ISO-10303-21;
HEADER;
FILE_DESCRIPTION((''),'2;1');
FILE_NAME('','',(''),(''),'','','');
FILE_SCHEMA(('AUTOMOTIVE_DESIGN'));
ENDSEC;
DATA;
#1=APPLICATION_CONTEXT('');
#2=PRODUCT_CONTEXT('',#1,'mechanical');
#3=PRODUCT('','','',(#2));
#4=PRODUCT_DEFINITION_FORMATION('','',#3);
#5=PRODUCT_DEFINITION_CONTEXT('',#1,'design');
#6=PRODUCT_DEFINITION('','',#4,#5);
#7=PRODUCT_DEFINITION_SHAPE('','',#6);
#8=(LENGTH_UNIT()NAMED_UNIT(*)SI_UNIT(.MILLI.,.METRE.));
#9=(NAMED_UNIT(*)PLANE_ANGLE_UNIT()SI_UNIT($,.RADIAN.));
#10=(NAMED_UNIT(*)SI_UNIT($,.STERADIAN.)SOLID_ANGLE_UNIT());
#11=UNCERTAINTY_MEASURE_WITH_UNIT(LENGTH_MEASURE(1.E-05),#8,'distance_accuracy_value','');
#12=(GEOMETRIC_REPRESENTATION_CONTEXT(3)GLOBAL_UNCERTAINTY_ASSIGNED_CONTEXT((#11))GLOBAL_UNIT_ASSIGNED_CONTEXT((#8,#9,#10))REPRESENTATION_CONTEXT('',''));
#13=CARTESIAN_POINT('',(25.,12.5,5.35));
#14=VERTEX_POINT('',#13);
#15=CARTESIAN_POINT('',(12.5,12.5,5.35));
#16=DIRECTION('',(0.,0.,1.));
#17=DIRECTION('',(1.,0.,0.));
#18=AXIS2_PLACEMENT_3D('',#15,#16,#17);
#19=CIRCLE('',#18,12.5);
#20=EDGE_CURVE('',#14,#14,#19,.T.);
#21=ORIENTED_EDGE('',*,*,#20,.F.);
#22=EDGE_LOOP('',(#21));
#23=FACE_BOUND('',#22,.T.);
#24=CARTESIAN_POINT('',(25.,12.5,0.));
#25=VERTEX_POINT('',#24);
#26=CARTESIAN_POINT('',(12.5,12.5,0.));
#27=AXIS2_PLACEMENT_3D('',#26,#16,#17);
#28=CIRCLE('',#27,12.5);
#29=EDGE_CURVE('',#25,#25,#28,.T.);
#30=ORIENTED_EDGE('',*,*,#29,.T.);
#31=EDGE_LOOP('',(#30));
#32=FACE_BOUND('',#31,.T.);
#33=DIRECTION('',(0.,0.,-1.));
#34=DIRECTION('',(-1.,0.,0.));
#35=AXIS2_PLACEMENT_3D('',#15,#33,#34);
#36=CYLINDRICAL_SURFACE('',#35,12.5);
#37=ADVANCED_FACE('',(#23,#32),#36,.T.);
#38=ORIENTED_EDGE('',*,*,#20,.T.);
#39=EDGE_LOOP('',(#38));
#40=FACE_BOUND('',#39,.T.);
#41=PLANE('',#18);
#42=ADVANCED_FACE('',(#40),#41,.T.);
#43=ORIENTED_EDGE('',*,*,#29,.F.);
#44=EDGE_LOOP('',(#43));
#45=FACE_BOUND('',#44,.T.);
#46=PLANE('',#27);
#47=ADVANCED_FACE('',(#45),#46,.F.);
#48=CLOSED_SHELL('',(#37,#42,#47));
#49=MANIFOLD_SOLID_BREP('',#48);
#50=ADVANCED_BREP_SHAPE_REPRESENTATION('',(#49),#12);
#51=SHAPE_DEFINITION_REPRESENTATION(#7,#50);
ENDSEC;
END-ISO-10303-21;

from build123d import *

# Parameters (mm, degrees)
MODEL_R             = 12.5
BOSS_EXTRUDE1_DEPTH = 5.35


with BuildPart() as part:
    # Model → Boss-Extrude1 (new body)
    with BuildSketch(Plane.XY):
        with Locations((12.5, 12.5)):
            Circle(MODEL_R)
    extrude(amount=BOSS_EXTRUDE1_DEPTH)


solid = part.part
